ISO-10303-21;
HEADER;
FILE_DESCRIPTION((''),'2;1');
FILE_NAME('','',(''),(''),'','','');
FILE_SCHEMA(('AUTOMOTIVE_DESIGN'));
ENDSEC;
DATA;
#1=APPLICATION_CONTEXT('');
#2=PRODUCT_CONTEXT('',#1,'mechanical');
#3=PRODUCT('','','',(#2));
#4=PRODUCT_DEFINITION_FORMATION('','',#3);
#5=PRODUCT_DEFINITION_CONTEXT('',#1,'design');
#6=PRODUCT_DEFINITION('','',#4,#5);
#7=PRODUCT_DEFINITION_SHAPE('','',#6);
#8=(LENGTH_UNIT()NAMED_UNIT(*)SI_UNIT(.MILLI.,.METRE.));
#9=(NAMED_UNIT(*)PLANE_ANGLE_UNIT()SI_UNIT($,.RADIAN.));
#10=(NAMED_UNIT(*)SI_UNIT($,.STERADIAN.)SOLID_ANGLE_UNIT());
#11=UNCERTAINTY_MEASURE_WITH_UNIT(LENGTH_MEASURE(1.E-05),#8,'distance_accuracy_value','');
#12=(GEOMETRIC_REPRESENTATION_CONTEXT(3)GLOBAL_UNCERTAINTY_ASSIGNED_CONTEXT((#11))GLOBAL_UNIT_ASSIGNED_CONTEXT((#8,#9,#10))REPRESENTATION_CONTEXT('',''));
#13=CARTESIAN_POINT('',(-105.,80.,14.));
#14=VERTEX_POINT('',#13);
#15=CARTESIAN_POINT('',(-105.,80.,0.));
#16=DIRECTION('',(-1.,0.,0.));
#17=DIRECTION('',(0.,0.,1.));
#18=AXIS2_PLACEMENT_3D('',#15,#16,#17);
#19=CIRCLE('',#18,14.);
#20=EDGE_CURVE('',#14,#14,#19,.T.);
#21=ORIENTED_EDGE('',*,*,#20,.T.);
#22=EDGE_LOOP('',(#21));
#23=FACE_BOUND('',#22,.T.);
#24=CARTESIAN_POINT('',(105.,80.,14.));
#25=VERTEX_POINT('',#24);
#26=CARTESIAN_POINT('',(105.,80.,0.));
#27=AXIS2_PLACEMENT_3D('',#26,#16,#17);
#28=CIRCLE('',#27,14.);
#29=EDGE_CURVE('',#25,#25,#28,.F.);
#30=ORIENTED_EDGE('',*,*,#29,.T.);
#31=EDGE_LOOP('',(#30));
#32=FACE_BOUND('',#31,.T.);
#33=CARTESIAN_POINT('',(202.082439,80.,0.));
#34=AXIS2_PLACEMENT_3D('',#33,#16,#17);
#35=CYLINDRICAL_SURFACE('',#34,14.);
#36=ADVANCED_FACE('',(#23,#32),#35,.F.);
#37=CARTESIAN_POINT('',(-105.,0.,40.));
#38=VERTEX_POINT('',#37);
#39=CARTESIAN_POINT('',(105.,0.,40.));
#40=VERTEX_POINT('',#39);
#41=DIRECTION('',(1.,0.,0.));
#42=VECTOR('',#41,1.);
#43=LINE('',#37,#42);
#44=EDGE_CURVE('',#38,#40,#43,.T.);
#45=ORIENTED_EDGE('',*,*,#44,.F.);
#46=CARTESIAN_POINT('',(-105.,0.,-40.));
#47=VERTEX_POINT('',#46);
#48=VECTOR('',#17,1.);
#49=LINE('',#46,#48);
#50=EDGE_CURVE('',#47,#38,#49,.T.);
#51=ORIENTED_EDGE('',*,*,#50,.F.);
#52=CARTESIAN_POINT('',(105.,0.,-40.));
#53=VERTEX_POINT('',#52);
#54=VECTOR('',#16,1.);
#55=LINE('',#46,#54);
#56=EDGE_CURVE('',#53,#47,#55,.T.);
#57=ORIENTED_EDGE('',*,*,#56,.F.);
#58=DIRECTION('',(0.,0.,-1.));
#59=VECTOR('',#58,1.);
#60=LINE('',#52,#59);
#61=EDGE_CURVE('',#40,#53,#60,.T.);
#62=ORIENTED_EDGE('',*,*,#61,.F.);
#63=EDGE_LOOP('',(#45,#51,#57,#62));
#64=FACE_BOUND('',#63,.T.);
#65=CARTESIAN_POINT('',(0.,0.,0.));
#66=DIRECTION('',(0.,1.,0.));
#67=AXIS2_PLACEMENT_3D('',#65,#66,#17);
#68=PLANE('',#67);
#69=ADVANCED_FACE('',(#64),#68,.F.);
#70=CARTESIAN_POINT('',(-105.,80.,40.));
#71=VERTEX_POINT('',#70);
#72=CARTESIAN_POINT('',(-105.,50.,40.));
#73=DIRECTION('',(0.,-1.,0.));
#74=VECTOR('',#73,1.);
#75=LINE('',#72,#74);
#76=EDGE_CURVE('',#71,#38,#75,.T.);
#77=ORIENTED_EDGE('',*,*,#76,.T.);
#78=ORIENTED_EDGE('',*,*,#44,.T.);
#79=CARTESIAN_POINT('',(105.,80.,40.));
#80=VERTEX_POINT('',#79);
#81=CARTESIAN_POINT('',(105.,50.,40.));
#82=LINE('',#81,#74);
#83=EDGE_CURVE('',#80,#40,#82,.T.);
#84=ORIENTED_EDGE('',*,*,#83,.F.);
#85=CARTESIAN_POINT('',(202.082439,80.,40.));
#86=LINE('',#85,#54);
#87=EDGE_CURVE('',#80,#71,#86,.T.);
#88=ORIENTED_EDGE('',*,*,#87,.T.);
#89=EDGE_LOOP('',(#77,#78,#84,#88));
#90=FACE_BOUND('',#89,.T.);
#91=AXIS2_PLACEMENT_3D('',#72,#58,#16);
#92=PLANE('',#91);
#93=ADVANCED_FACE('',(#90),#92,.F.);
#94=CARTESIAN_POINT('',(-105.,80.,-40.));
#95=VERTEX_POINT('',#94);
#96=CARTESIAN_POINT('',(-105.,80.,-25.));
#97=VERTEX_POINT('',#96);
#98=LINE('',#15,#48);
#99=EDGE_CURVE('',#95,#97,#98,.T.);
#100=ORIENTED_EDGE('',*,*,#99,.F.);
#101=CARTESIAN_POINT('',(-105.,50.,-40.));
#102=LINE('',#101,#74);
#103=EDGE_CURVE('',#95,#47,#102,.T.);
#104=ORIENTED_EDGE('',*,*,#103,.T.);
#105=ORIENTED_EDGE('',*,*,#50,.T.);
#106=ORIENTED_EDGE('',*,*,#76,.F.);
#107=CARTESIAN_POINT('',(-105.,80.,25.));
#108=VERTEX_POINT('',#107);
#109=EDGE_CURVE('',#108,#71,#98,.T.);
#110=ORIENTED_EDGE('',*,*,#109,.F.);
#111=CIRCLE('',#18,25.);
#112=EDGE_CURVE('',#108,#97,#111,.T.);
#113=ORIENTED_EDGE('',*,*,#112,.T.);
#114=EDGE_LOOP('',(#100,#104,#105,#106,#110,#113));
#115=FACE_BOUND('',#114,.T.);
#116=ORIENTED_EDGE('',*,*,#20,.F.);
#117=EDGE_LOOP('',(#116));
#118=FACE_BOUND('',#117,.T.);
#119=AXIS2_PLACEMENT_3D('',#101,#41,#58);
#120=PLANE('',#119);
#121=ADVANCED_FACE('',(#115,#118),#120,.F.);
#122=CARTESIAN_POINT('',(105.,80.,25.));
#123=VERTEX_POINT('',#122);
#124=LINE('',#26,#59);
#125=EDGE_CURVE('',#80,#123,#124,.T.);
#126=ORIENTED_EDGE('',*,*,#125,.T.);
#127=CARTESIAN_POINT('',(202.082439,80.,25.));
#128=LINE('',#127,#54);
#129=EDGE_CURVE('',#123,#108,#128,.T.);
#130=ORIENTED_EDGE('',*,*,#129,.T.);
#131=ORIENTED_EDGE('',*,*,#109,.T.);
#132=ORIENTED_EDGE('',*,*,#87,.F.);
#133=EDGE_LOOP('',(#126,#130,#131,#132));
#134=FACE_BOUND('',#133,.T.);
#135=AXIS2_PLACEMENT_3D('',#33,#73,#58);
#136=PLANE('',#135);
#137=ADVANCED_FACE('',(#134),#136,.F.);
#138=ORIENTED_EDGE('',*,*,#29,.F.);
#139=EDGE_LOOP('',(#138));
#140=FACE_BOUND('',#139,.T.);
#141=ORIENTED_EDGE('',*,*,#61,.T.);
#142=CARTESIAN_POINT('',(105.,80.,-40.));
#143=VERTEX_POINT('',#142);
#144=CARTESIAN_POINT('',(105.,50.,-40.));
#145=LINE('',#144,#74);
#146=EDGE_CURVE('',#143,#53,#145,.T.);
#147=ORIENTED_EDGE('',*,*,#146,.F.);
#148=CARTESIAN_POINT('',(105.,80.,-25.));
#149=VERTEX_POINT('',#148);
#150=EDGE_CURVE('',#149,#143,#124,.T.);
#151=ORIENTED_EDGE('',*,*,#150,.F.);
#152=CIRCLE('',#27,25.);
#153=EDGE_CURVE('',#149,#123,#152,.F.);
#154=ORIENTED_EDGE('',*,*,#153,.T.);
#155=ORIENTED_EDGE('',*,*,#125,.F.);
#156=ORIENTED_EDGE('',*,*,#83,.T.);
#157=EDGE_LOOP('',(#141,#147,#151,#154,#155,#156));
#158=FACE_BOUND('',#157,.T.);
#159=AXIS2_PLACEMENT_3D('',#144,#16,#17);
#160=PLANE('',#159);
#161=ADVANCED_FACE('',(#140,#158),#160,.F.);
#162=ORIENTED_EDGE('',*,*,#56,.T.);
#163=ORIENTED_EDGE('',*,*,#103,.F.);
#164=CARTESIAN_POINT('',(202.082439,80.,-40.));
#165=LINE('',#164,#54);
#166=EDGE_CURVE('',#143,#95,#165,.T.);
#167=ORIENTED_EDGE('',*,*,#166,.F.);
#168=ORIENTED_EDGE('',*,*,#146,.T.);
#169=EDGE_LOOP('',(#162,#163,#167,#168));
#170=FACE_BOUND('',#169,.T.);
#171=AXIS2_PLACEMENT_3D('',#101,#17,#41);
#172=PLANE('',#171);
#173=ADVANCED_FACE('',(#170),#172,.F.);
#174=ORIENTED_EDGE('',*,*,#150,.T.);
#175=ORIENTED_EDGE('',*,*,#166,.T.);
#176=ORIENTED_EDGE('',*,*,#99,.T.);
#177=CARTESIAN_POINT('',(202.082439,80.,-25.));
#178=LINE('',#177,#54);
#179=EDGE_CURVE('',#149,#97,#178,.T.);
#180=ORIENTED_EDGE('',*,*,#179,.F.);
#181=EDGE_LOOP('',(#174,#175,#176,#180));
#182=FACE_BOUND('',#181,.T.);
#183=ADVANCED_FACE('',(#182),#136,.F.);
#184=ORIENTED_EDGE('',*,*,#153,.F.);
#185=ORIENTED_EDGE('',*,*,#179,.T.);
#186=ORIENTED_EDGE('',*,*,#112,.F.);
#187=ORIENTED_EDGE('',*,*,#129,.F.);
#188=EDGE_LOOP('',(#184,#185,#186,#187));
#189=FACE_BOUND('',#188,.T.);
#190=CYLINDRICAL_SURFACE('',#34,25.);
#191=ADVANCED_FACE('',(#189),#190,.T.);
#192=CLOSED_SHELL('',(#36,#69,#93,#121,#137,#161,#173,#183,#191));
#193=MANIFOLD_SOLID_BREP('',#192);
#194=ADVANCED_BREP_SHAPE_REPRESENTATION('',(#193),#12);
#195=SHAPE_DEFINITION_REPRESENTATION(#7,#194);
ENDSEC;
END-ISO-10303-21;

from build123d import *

# Parameters (mm, degrees)
SKETCH_1_W      = 210
SKETCH_1_H      = 80
EXTRUDE_1_DEPTH = 50
SKETCH_2_R      = 14
EXTRUDE_2_DEPTH = 210


with BuildPart() as part:
    # 草图1 → 凸台-拉伸1 (new body)
    with BuildSketch(Plane(origin=(0, 0, 0), x_dir=(1, 0, 0), z_dir=(0, 1, 0))):
        Rectangle(SKETCH_1_W, SKETCH_1_H)
    extrude(amount=EXTRUDE_1_DEPTH)

    # 草图2 → 凸台-拉伸2 (add)
    with BuildSketch(Plane.ZY.offset(105)):
        with BuildLine():
            Line((25, 80), (40, 80))
            Line((40, 80), (40, 50))
            Line((40, 50), (-40, 50))
            Line((-40, 50), (-40, 80))
            Line((-40, 80), (-25, 80))
            ThreePointArc((-25, 80), (0, 105), (25, 80))
        make_face()
        with Locations((0, 80)):
            Circle(SKETCH_2_R, mode=Mode.SUBTRACT)
    extrude(amount=-EXTRUDE_2_DEPTH)


solid = part.part
